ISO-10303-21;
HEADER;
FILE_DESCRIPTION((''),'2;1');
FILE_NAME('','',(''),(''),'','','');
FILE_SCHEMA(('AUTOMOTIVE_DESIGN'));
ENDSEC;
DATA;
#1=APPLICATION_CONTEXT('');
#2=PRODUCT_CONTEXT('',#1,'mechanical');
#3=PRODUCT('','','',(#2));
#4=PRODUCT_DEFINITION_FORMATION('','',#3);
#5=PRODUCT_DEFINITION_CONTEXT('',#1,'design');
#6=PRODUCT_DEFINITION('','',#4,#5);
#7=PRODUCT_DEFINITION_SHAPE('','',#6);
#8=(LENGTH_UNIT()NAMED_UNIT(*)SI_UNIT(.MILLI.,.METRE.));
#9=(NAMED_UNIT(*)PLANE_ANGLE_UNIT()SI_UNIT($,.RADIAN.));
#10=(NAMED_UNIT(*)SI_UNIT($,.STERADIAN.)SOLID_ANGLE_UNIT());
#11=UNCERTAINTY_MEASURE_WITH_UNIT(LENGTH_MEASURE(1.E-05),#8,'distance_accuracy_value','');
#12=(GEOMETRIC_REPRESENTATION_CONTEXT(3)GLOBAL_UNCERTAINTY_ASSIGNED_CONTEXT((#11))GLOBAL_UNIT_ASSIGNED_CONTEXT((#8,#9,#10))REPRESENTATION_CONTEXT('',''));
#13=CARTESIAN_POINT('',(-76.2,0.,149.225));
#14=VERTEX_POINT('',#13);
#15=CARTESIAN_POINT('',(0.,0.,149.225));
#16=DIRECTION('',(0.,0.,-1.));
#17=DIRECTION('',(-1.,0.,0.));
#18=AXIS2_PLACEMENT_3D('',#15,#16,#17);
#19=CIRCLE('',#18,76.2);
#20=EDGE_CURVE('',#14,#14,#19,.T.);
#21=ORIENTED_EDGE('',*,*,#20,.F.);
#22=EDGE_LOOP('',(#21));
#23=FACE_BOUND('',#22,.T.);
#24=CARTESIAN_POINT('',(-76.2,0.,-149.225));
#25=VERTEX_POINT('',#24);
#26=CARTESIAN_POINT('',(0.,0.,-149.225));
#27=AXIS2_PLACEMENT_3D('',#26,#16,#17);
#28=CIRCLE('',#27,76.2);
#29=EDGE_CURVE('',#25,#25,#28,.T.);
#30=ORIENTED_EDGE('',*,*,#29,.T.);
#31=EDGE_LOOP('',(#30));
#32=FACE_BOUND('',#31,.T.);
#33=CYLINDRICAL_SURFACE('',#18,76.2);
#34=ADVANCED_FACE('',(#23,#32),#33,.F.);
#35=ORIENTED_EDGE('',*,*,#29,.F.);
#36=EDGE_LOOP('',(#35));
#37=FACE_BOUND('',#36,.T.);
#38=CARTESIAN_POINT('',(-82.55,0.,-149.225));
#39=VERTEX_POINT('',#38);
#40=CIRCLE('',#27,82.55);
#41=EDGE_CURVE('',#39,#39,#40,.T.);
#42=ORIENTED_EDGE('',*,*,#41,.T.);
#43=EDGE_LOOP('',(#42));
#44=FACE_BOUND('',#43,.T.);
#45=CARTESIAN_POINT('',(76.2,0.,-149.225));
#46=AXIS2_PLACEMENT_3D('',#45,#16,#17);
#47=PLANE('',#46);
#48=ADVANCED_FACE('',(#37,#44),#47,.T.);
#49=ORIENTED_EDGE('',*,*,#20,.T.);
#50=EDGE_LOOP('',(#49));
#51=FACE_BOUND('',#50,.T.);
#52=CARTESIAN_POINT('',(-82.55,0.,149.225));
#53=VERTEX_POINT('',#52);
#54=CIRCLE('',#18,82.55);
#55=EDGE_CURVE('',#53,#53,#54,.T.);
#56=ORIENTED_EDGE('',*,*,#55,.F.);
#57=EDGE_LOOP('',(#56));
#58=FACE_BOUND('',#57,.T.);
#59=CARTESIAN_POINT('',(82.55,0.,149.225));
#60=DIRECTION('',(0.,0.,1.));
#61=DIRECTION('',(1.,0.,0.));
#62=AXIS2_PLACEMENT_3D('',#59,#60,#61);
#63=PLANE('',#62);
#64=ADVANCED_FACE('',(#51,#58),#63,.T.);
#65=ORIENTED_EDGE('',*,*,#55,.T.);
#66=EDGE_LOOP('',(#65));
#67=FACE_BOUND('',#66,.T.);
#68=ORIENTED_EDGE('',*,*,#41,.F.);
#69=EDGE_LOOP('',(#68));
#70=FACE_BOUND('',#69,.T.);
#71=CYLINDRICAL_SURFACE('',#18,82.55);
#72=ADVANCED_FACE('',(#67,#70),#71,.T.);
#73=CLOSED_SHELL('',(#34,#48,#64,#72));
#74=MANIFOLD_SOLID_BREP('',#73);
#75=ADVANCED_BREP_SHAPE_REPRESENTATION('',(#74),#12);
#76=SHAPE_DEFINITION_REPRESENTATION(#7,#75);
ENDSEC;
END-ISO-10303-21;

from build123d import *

# Parameters (mm, degrees)
ESQUISSE1_W = 6.35
ESQUISSE1_H = 298.45


with BuildPart() as part:
    # Esquisse1 → Révolution1 (revolve)
    with BuildSketch(Plane.XZ, mode=Mode.PRIVATE) as r_volution1_sk:
        with Locations((79.375, 0)):
            Rectangle(ESQUISSE1_W, ESQUISSE1_H)
    revolve(r_volution1_sk.sketch.rotate(Axis((0, 0, 149.225), (0, 0, -1)), 180), axis=Axis((0, 0, 149.225), (0, 0, -1)))


solid = part.part
